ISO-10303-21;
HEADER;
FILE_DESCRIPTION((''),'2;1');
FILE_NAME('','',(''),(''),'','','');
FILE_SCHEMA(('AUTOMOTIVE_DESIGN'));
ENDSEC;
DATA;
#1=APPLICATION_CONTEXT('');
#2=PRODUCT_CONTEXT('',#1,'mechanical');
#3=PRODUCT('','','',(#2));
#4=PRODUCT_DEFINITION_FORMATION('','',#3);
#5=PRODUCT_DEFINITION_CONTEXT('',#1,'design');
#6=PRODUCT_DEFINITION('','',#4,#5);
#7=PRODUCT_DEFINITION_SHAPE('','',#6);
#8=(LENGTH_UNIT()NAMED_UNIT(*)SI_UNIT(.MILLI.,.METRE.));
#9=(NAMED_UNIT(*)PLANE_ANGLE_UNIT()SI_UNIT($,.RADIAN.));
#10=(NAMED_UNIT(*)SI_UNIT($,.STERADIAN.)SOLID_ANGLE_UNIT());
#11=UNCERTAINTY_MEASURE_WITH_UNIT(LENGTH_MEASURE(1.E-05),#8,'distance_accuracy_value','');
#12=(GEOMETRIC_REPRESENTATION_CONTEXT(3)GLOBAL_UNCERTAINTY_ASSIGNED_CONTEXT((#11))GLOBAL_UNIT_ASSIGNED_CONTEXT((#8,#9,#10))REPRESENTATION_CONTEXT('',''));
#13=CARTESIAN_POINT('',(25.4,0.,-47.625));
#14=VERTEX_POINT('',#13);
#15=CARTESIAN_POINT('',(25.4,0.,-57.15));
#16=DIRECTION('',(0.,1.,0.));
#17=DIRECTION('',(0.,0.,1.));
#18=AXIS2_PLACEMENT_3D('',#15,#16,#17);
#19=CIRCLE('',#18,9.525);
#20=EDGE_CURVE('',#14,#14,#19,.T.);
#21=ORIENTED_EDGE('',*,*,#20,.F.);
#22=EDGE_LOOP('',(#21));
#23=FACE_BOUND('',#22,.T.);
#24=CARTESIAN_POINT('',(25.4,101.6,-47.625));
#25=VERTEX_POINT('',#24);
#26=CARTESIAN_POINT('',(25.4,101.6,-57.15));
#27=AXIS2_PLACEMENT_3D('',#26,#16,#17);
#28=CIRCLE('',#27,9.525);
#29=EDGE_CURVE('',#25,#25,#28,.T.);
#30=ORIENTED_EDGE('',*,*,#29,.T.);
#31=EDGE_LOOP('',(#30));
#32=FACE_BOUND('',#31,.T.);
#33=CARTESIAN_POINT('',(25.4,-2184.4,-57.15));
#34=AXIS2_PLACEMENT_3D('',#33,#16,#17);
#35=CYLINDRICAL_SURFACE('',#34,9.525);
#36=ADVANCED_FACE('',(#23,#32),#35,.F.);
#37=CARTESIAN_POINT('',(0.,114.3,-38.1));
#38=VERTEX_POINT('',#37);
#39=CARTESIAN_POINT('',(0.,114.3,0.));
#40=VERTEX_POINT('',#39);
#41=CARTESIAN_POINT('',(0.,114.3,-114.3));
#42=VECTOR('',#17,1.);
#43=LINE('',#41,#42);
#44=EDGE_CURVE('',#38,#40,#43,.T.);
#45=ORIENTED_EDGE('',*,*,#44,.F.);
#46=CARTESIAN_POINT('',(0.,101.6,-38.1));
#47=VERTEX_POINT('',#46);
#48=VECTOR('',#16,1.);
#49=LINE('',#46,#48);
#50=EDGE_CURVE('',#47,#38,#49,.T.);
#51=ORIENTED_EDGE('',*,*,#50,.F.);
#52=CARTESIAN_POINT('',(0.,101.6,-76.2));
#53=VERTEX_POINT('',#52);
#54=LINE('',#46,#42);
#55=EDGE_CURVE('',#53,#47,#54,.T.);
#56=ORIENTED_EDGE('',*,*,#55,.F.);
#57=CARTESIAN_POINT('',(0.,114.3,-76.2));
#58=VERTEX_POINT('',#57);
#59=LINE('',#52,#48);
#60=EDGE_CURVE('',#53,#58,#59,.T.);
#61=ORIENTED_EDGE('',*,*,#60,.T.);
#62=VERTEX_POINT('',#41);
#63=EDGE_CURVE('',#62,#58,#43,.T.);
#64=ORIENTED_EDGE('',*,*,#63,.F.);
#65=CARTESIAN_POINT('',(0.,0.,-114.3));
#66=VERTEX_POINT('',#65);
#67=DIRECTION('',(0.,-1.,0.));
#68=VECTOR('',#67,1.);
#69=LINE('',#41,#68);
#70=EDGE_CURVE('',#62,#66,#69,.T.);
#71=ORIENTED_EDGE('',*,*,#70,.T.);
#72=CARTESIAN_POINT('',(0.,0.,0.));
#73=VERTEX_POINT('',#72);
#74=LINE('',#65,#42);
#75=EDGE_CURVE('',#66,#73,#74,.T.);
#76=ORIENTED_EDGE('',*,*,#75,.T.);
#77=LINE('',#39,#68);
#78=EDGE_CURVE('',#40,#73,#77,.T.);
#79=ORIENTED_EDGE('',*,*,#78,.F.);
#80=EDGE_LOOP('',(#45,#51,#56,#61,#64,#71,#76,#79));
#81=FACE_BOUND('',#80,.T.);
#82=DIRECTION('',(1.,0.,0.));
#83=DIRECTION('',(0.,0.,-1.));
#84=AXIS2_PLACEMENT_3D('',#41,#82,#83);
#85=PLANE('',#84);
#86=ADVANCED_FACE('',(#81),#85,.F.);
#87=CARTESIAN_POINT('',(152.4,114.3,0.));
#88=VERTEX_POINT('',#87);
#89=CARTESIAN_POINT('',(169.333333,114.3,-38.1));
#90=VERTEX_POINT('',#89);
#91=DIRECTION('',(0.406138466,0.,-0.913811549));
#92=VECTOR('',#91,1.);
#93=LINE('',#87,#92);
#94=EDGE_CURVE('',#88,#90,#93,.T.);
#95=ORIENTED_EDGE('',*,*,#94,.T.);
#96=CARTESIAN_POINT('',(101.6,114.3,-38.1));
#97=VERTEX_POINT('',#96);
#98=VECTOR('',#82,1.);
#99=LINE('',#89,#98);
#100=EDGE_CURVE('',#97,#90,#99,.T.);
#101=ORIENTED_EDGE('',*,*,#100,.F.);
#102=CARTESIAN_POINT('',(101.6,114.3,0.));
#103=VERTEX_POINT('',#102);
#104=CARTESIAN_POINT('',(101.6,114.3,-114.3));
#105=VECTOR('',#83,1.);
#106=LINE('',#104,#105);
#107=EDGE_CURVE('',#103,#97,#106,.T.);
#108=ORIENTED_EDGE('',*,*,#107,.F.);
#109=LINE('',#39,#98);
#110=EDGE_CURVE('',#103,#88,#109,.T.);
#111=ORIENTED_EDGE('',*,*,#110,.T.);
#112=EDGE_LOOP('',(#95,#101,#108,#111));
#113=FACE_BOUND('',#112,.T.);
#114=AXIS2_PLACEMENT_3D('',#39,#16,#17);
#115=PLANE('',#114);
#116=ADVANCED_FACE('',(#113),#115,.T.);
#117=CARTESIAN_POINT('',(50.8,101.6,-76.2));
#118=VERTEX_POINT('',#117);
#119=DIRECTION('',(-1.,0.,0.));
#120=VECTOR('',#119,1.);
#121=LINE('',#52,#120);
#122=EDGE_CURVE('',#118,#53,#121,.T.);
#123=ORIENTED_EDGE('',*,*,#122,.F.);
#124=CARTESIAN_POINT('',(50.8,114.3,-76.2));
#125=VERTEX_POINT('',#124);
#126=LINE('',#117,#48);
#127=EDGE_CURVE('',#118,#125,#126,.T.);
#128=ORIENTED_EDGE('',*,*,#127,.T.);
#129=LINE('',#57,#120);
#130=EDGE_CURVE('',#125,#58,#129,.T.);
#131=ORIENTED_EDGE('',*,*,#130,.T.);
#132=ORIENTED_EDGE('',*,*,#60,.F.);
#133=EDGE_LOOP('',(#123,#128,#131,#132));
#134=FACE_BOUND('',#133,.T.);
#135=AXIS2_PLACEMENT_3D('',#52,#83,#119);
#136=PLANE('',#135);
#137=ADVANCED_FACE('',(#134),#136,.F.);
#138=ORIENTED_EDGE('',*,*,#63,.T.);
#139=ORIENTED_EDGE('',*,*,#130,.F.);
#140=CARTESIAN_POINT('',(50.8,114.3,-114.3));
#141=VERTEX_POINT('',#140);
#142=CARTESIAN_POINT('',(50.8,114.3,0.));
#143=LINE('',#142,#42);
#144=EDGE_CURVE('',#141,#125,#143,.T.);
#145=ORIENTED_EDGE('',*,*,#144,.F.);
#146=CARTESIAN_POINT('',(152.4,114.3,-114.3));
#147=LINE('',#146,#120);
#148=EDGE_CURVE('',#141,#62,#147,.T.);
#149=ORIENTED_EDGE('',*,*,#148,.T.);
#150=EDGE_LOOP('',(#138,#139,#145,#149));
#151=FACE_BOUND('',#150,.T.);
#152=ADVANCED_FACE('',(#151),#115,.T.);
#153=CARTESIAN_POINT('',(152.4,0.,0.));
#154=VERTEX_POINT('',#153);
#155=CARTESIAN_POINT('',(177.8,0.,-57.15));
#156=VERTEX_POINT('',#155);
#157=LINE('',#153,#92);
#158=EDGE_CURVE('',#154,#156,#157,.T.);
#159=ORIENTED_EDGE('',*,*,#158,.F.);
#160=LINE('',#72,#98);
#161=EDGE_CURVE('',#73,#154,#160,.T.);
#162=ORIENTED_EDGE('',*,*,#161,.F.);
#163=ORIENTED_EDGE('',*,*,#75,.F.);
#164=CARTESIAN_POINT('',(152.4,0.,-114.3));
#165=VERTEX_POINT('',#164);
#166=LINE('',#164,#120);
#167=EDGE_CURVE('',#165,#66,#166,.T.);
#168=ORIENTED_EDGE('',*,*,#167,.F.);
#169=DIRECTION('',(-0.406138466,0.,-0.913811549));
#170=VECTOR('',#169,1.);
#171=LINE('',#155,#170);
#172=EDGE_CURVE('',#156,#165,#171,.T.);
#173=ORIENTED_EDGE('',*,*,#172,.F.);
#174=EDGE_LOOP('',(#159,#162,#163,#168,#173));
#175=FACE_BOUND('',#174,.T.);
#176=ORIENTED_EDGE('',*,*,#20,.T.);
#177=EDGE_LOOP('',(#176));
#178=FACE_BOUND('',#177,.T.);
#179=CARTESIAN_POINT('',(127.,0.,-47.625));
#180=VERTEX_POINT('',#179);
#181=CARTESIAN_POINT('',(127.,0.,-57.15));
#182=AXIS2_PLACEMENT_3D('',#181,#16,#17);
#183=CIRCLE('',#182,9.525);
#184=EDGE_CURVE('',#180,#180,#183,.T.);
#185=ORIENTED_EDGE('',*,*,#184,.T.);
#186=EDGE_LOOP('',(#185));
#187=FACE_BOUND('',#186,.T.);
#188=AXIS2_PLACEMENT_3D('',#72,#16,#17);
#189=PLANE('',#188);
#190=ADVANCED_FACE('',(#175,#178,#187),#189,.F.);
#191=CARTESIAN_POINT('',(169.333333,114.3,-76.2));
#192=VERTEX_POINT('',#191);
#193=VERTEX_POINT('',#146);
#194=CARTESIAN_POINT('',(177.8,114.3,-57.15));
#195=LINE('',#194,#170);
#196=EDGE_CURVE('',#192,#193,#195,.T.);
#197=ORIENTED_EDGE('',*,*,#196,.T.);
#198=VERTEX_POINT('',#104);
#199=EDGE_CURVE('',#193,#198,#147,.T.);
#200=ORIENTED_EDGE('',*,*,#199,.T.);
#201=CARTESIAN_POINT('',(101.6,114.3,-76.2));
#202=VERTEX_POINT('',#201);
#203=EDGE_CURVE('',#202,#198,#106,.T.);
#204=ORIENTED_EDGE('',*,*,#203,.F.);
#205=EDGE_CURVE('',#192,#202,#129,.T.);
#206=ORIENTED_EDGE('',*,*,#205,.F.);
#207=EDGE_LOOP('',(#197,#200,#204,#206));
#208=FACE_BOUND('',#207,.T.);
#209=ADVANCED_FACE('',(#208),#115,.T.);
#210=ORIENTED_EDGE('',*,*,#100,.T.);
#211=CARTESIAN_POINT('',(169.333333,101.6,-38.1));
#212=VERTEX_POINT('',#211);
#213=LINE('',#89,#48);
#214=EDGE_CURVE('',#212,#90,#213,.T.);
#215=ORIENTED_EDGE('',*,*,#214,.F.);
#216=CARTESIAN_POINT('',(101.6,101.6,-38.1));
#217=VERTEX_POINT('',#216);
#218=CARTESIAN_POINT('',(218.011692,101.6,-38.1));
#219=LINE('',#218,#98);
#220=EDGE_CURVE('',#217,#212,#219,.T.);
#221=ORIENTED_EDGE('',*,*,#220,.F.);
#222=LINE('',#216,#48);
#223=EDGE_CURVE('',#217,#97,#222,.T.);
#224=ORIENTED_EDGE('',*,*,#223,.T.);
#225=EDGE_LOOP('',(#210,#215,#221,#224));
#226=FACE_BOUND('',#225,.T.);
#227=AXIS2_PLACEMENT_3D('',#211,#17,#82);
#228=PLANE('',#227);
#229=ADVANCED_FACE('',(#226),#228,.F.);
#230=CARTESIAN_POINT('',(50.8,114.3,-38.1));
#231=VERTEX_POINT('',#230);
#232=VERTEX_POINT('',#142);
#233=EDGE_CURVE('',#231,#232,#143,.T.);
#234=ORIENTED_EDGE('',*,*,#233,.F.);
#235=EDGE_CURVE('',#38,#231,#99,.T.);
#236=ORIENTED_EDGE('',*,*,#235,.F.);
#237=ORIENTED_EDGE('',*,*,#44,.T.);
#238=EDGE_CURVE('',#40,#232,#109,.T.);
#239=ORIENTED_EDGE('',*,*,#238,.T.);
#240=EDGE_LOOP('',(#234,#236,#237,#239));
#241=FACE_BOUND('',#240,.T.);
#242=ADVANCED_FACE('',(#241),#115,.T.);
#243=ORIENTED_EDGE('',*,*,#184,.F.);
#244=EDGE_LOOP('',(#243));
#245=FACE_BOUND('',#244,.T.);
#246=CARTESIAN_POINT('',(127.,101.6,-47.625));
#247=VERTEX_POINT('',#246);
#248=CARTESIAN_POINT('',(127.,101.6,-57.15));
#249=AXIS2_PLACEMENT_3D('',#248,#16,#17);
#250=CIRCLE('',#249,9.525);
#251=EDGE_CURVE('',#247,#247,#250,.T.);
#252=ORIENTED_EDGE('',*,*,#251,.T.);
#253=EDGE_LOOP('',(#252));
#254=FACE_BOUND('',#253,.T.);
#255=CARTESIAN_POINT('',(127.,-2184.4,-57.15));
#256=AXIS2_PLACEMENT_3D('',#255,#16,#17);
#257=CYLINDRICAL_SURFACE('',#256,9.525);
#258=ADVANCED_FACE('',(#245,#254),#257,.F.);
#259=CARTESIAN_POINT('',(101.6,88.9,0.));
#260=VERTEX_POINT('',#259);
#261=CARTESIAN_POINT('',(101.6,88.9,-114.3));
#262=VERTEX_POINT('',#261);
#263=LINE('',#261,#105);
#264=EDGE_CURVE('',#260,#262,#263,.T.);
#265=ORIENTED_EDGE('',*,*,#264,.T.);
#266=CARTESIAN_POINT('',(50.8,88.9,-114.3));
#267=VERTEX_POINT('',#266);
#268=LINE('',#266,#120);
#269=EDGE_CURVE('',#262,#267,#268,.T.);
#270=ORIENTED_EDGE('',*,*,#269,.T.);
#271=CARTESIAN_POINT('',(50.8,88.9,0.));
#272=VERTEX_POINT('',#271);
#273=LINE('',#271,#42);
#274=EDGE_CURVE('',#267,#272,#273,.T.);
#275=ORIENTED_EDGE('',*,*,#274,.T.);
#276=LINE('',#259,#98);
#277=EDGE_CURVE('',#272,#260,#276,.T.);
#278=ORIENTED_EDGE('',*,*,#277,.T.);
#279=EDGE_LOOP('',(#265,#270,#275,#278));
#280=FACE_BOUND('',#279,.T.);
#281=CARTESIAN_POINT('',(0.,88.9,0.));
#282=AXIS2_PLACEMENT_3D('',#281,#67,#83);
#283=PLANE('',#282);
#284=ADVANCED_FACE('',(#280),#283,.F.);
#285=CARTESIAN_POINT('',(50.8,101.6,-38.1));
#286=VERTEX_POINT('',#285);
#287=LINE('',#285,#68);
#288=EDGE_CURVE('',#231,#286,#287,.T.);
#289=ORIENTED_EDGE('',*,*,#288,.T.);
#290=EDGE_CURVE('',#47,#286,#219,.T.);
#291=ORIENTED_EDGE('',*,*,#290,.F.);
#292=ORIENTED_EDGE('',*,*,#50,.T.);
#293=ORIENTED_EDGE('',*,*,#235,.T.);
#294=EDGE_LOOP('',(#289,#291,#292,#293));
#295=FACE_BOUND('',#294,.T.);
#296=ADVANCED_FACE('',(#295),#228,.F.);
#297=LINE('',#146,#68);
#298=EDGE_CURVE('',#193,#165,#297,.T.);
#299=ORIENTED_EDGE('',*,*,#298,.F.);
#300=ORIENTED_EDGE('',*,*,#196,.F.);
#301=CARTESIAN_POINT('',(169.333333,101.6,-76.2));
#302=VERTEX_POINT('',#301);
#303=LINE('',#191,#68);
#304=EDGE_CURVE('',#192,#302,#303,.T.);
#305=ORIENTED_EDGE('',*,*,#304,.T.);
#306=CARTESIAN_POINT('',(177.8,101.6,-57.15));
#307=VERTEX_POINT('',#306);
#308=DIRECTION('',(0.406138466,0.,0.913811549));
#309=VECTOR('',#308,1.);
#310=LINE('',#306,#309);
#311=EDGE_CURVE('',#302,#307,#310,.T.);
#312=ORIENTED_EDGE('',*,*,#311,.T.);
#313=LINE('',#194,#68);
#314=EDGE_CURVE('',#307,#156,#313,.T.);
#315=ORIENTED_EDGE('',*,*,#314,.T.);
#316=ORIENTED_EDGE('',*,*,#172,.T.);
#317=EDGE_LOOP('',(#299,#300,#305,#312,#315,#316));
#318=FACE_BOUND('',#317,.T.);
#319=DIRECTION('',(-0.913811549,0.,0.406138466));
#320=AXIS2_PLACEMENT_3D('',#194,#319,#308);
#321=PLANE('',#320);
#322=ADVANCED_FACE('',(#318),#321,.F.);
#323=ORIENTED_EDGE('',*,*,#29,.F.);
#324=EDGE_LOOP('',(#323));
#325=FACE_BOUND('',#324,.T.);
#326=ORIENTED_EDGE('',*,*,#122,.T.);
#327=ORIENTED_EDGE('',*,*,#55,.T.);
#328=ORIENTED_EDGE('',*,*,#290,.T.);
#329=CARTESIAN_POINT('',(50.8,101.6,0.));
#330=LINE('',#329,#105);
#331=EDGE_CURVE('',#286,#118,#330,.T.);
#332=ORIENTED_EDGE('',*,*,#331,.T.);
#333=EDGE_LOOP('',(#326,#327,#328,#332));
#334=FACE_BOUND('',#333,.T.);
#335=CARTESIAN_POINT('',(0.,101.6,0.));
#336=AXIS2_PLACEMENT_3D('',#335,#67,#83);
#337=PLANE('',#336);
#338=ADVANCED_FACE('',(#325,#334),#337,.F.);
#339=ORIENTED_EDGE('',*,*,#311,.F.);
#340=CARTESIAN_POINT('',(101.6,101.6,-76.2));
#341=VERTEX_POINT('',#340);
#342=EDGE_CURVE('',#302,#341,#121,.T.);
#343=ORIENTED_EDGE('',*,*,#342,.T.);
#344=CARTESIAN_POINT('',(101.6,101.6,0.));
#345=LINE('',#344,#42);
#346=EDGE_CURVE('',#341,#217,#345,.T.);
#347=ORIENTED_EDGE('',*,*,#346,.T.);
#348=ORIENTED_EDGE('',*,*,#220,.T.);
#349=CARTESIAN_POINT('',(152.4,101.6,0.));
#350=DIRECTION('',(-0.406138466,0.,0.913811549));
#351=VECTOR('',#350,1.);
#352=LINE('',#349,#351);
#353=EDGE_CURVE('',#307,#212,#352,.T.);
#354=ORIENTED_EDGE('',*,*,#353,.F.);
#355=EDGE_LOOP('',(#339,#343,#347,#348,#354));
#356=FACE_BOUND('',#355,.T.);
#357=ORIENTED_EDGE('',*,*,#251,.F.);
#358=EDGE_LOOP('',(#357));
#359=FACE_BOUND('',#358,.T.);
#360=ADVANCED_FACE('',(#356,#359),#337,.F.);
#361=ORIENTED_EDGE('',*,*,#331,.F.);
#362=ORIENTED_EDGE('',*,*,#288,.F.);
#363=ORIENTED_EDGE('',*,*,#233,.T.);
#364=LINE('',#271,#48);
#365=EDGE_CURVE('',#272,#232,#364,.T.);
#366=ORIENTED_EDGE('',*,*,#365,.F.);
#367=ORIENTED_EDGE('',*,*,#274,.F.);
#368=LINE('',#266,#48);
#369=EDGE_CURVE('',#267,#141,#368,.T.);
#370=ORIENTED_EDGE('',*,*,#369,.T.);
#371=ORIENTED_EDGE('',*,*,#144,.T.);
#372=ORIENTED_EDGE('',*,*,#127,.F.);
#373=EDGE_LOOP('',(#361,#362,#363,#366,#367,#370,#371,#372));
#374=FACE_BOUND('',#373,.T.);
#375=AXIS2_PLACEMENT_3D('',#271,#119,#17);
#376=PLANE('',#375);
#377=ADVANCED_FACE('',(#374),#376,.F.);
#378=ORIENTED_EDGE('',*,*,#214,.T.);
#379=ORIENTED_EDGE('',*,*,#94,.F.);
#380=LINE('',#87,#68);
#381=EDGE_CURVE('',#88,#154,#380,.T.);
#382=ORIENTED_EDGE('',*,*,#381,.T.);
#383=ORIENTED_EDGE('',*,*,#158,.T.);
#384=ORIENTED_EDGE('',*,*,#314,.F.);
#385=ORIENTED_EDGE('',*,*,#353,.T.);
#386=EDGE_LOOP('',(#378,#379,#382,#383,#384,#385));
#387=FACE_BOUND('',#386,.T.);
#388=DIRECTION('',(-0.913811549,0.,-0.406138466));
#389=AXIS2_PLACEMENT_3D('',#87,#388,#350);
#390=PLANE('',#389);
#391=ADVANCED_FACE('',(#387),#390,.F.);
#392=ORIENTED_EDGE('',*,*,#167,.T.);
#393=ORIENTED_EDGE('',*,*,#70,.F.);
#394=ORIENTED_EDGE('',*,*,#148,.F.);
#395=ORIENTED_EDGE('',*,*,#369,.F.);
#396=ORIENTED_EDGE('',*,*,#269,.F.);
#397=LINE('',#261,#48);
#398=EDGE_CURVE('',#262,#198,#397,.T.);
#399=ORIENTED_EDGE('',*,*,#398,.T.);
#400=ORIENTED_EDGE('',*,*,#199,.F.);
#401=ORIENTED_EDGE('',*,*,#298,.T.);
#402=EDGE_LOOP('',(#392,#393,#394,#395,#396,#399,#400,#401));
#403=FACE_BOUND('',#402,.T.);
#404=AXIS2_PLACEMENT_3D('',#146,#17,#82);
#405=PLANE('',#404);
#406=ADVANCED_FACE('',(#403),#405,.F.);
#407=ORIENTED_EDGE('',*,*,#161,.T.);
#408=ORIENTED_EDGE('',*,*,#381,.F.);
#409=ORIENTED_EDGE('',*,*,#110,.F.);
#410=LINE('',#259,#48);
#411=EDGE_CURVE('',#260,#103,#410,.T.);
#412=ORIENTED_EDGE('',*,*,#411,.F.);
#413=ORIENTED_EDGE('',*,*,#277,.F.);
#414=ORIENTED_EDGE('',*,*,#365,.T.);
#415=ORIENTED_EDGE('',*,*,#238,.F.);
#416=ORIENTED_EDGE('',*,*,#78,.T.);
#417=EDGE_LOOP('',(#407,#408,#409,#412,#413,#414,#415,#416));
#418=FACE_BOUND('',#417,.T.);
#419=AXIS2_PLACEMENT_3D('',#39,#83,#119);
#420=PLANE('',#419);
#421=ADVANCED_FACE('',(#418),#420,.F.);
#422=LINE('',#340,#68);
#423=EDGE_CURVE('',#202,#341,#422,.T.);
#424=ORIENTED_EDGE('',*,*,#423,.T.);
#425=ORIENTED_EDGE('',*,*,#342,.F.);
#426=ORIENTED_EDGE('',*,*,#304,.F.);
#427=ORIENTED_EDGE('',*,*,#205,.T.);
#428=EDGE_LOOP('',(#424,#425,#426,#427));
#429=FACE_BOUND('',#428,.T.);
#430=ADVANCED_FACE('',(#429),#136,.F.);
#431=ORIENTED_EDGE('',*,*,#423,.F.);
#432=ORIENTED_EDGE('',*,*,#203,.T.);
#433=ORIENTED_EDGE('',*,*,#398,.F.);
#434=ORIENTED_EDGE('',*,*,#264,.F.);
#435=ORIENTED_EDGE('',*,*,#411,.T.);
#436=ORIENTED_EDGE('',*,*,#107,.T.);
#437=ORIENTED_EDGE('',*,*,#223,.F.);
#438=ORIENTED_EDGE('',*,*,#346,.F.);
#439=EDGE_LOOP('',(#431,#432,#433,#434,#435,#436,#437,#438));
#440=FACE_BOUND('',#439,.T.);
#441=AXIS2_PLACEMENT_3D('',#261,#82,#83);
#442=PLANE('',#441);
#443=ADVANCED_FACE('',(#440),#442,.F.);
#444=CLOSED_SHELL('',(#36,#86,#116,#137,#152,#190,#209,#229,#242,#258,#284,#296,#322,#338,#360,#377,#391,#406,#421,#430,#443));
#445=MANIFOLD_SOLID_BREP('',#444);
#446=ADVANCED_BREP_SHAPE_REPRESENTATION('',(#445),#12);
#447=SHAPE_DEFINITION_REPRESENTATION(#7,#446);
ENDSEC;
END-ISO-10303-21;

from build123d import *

# Parameters (mm, degrees)
BOSS_EXTRUDE1_DEPTH = 114.3
CUT_EXTRUDE4_DEPTH  = 12.7
SKETCH5_W           = 50.8
SKETCH5_H           = 114.3
CUT_EXTRUDE5_DEPTH  = 25.4
SKETCH6_R           = 9.525
CUT_EXTRUDE6_DEPTH  = 2286
SKETCH7_R           = 9.525
CUT_EXTRUDE7_DEPTH  = 2286


with BuildPart() as part:
    # Sketch2 → Boss-Extrude1 (new body)
    with BuildSketch(Plane(origin=(0, 0, 0), x_dir=(1, 0, 0), z_dir=(0, 1, 0))):
        Polygon((0, 0), (152.4, 0), (177.8, 57.15), (152.4, 114.3), (0, 114.3), align=None)
    extrude(amount=BOSS_EXTRUDE1_DEPTH)

    # Sketch3 → Cut-Extrude4 (cut)
    with BuildSketch(Plane(origin=(0, 114.3, 0), x_dir=(1, 0, 0), z_dir=(0, 1, 0))):
        Polygon((169.333333333, 38.1), (0, 38.1), (0, 76.2), (267.804009423, 76.2), (218.011692499, 38.1), align=None)
    extrude(amount=-CUT_EXTRUDE4_DEPTH, mode=Mode.SUBTRACT)

    # Sketch5 → Cut-Extrude5 (cut)
    with BuildSketch(Plane(origin=(0, 114.3, 0), x_dir=(1, 0, 0), z_dir=(0, 1, 0))):
        with Locations((76.2, 57.15)):
            Rectangle(SKETCH5_W, SKETCH5_H)
    extrude(amount=-CUT_EXTRUDE5_DEPTH, mode=Mode.SUBTRACT)

    # Sketch6 → Cut-Extrude6 (cut)
    with BuildSketch(Plane(origin=(0, 101.6, 0), x_dir=(1, 0, 0), z_dir=(0, 1, 0))):
        with Locations((127, 57.15)):
            Circle(SKETCH6_R)
    extrude(amount=-CUT_EXTRUDE6_DEPTH, mode=Mode.SUBTRACT)

    # Sketch7 → Cut-Extrude7 (cut)
    with BuildSketch(Plane(origin=(0, 101.6, 0), x_dir=(1, 0, 0), z_dir=(0, 1, 0))):
        with Locations((25.4, 57.15)):
            Circle(SKETCH7_R)
    extrude(amount=-CUT_EXTRUDE7_DEPTH, mode=Mode.SUBTRACT)


solid = part.part
